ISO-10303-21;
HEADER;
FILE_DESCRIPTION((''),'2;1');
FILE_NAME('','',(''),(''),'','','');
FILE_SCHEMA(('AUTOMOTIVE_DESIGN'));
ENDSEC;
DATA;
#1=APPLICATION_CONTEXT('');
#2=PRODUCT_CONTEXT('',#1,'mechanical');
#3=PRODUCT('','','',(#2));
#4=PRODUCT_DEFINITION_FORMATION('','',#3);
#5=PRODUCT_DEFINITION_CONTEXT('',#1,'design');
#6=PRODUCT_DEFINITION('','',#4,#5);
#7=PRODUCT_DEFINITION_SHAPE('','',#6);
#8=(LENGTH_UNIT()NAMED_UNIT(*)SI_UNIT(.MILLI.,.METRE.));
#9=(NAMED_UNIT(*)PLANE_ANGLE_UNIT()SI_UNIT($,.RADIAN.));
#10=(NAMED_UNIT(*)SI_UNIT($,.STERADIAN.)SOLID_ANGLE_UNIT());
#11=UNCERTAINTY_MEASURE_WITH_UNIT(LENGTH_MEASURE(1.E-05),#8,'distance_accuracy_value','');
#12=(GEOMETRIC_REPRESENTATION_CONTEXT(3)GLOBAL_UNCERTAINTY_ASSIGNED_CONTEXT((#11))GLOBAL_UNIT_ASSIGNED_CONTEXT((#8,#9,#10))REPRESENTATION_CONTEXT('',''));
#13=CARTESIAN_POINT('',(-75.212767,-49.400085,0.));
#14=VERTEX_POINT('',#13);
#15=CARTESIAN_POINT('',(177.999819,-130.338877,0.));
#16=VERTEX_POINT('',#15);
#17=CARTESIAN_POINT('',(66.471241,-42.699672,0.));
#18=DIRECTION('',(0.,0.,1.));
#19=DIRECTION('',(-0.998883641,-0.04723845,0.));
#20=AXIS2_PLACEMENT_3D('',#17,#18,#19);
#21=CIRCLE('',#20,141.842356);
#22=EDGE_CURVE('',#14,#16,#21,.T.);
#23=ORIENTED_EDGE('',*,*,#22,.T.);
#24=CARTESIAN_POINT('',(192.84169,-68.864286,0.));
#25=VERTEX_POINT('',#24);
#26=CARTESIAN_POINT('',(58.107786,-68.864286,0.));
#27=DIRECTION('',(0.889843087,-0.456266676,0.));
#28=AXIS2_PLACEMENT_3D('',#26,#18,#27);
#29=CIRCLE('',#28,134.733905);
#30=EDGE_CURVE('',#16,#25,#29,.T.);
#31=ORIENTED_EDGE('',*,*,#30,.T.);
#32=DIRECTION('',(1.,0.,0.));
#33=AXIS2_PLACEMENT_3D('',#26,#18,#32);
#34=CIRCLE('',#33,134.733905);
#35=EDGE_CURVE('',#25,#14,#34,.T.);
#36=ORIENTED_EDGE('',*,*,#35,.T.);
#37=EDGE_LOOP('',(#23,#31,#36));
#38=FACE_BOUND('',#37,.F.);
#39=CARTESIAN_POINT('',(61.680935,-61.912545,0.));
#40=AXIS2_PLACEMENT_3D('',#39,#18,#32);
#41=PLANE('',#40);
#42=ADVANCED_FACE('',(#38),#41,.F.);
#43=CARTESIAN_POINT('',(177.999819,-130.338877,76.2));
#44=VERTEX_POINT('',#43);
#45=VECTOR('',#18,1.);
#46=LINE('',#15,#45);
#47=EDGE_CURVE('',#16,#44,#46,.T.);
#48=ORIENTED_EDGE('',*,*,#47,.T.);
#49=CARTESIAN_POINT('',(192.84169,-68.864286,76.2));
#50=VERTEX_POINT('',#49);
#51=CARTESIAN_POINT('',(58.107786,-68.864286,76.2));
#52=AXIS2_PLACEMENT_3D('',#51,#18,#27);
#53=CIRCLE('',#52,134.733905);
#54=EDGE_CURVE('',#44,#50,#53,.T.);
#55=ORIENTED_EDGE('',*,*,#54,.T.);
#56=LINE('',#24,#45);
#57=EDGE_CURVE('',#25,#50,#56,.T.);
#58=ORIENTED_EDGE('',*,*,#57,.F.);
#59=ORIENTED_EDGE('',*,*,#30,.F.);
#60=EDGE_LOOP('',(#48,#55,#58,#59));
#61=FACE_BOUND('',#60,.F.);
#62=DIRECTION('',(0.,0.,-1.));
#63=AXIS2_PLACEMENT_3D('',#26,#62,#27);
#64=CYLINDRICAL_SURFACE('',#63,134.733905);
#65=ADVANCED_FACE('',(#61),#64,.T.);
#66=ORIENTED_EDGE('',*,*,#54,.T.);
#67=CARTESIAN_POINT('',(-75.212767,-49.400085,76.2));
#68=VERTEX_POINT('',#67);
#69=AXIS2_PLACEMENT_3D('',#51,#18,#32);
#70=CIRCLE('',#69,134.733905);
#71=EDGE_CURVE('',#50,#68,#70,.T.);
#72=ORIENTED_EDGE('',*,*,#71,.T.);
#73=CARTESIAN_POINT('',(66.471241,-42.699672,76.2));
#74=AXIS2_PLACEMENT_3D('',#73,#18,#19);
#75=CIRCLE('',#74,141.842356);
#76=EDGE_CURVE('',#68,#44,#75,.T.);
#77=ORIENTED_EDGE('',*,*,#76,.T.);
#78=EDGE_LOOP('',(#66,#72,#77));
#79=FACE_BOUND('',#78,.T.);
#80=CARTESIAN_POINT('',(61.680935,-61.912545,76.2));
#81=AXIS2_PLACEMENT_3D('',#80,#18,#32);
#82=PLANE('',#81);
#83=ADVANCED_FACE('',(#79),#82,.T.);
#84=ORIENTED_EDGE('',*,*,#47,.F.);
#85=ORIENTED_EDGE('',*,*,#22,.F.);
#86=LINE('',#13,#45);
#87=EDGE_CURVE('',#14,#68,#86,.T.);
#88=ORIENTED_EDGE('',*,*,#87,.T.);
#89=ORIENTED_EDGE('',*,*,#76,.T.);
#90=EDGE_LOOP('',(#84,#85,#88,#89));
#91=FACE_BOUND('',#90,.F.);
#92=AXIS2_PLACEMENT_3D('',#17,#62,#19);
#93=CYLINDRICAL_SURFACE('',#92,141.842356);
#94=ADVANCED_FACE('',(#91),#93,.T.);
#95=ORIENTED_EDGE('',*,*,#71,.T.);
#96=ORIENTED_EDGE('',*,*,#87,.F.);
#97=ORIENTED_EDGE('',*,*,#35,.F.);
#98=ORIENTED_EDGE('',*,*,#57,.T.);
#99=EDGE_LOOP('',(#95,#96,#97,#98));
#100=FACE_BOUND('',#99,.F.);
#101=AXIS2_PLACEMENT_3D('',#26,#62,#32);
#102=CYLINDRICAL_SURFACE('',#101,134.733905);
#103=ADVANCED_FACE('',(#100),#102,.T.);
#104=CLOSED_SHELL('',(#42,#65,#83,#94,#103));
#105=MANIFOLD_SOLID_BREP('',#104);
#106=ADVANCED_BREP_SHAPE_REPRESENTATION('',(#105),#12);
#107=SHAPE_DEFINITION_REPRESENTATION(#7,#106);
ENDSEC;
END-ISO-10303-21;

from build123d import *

# Parameters (mm, degrees)
F1_DEPTH = 76.2


with BuildPart() as f1:
    # F0 (on Top) → F1 (new body)
    with BuildSketch(Plane.XY):
        with BuildLine():
            ThreePointArc((192.8416903883, -68.8642859459), (67.8655093715, 65.5158162128), (-75.2127673542, -49.400085241))
            ThreePointArc((-75.2127673542, -49.400085241), (23.2843279614, -177.8075713143), (177.9998194338, -130.3388767488))
            ThreePointArc((177.9998194338, -130.3388767488), (189.078673531, -100.4847162395), (192.8416903883, -68.8642859459))
        make_face()
    extrude(amount=F1_DEPTH)


solid = f1.part
